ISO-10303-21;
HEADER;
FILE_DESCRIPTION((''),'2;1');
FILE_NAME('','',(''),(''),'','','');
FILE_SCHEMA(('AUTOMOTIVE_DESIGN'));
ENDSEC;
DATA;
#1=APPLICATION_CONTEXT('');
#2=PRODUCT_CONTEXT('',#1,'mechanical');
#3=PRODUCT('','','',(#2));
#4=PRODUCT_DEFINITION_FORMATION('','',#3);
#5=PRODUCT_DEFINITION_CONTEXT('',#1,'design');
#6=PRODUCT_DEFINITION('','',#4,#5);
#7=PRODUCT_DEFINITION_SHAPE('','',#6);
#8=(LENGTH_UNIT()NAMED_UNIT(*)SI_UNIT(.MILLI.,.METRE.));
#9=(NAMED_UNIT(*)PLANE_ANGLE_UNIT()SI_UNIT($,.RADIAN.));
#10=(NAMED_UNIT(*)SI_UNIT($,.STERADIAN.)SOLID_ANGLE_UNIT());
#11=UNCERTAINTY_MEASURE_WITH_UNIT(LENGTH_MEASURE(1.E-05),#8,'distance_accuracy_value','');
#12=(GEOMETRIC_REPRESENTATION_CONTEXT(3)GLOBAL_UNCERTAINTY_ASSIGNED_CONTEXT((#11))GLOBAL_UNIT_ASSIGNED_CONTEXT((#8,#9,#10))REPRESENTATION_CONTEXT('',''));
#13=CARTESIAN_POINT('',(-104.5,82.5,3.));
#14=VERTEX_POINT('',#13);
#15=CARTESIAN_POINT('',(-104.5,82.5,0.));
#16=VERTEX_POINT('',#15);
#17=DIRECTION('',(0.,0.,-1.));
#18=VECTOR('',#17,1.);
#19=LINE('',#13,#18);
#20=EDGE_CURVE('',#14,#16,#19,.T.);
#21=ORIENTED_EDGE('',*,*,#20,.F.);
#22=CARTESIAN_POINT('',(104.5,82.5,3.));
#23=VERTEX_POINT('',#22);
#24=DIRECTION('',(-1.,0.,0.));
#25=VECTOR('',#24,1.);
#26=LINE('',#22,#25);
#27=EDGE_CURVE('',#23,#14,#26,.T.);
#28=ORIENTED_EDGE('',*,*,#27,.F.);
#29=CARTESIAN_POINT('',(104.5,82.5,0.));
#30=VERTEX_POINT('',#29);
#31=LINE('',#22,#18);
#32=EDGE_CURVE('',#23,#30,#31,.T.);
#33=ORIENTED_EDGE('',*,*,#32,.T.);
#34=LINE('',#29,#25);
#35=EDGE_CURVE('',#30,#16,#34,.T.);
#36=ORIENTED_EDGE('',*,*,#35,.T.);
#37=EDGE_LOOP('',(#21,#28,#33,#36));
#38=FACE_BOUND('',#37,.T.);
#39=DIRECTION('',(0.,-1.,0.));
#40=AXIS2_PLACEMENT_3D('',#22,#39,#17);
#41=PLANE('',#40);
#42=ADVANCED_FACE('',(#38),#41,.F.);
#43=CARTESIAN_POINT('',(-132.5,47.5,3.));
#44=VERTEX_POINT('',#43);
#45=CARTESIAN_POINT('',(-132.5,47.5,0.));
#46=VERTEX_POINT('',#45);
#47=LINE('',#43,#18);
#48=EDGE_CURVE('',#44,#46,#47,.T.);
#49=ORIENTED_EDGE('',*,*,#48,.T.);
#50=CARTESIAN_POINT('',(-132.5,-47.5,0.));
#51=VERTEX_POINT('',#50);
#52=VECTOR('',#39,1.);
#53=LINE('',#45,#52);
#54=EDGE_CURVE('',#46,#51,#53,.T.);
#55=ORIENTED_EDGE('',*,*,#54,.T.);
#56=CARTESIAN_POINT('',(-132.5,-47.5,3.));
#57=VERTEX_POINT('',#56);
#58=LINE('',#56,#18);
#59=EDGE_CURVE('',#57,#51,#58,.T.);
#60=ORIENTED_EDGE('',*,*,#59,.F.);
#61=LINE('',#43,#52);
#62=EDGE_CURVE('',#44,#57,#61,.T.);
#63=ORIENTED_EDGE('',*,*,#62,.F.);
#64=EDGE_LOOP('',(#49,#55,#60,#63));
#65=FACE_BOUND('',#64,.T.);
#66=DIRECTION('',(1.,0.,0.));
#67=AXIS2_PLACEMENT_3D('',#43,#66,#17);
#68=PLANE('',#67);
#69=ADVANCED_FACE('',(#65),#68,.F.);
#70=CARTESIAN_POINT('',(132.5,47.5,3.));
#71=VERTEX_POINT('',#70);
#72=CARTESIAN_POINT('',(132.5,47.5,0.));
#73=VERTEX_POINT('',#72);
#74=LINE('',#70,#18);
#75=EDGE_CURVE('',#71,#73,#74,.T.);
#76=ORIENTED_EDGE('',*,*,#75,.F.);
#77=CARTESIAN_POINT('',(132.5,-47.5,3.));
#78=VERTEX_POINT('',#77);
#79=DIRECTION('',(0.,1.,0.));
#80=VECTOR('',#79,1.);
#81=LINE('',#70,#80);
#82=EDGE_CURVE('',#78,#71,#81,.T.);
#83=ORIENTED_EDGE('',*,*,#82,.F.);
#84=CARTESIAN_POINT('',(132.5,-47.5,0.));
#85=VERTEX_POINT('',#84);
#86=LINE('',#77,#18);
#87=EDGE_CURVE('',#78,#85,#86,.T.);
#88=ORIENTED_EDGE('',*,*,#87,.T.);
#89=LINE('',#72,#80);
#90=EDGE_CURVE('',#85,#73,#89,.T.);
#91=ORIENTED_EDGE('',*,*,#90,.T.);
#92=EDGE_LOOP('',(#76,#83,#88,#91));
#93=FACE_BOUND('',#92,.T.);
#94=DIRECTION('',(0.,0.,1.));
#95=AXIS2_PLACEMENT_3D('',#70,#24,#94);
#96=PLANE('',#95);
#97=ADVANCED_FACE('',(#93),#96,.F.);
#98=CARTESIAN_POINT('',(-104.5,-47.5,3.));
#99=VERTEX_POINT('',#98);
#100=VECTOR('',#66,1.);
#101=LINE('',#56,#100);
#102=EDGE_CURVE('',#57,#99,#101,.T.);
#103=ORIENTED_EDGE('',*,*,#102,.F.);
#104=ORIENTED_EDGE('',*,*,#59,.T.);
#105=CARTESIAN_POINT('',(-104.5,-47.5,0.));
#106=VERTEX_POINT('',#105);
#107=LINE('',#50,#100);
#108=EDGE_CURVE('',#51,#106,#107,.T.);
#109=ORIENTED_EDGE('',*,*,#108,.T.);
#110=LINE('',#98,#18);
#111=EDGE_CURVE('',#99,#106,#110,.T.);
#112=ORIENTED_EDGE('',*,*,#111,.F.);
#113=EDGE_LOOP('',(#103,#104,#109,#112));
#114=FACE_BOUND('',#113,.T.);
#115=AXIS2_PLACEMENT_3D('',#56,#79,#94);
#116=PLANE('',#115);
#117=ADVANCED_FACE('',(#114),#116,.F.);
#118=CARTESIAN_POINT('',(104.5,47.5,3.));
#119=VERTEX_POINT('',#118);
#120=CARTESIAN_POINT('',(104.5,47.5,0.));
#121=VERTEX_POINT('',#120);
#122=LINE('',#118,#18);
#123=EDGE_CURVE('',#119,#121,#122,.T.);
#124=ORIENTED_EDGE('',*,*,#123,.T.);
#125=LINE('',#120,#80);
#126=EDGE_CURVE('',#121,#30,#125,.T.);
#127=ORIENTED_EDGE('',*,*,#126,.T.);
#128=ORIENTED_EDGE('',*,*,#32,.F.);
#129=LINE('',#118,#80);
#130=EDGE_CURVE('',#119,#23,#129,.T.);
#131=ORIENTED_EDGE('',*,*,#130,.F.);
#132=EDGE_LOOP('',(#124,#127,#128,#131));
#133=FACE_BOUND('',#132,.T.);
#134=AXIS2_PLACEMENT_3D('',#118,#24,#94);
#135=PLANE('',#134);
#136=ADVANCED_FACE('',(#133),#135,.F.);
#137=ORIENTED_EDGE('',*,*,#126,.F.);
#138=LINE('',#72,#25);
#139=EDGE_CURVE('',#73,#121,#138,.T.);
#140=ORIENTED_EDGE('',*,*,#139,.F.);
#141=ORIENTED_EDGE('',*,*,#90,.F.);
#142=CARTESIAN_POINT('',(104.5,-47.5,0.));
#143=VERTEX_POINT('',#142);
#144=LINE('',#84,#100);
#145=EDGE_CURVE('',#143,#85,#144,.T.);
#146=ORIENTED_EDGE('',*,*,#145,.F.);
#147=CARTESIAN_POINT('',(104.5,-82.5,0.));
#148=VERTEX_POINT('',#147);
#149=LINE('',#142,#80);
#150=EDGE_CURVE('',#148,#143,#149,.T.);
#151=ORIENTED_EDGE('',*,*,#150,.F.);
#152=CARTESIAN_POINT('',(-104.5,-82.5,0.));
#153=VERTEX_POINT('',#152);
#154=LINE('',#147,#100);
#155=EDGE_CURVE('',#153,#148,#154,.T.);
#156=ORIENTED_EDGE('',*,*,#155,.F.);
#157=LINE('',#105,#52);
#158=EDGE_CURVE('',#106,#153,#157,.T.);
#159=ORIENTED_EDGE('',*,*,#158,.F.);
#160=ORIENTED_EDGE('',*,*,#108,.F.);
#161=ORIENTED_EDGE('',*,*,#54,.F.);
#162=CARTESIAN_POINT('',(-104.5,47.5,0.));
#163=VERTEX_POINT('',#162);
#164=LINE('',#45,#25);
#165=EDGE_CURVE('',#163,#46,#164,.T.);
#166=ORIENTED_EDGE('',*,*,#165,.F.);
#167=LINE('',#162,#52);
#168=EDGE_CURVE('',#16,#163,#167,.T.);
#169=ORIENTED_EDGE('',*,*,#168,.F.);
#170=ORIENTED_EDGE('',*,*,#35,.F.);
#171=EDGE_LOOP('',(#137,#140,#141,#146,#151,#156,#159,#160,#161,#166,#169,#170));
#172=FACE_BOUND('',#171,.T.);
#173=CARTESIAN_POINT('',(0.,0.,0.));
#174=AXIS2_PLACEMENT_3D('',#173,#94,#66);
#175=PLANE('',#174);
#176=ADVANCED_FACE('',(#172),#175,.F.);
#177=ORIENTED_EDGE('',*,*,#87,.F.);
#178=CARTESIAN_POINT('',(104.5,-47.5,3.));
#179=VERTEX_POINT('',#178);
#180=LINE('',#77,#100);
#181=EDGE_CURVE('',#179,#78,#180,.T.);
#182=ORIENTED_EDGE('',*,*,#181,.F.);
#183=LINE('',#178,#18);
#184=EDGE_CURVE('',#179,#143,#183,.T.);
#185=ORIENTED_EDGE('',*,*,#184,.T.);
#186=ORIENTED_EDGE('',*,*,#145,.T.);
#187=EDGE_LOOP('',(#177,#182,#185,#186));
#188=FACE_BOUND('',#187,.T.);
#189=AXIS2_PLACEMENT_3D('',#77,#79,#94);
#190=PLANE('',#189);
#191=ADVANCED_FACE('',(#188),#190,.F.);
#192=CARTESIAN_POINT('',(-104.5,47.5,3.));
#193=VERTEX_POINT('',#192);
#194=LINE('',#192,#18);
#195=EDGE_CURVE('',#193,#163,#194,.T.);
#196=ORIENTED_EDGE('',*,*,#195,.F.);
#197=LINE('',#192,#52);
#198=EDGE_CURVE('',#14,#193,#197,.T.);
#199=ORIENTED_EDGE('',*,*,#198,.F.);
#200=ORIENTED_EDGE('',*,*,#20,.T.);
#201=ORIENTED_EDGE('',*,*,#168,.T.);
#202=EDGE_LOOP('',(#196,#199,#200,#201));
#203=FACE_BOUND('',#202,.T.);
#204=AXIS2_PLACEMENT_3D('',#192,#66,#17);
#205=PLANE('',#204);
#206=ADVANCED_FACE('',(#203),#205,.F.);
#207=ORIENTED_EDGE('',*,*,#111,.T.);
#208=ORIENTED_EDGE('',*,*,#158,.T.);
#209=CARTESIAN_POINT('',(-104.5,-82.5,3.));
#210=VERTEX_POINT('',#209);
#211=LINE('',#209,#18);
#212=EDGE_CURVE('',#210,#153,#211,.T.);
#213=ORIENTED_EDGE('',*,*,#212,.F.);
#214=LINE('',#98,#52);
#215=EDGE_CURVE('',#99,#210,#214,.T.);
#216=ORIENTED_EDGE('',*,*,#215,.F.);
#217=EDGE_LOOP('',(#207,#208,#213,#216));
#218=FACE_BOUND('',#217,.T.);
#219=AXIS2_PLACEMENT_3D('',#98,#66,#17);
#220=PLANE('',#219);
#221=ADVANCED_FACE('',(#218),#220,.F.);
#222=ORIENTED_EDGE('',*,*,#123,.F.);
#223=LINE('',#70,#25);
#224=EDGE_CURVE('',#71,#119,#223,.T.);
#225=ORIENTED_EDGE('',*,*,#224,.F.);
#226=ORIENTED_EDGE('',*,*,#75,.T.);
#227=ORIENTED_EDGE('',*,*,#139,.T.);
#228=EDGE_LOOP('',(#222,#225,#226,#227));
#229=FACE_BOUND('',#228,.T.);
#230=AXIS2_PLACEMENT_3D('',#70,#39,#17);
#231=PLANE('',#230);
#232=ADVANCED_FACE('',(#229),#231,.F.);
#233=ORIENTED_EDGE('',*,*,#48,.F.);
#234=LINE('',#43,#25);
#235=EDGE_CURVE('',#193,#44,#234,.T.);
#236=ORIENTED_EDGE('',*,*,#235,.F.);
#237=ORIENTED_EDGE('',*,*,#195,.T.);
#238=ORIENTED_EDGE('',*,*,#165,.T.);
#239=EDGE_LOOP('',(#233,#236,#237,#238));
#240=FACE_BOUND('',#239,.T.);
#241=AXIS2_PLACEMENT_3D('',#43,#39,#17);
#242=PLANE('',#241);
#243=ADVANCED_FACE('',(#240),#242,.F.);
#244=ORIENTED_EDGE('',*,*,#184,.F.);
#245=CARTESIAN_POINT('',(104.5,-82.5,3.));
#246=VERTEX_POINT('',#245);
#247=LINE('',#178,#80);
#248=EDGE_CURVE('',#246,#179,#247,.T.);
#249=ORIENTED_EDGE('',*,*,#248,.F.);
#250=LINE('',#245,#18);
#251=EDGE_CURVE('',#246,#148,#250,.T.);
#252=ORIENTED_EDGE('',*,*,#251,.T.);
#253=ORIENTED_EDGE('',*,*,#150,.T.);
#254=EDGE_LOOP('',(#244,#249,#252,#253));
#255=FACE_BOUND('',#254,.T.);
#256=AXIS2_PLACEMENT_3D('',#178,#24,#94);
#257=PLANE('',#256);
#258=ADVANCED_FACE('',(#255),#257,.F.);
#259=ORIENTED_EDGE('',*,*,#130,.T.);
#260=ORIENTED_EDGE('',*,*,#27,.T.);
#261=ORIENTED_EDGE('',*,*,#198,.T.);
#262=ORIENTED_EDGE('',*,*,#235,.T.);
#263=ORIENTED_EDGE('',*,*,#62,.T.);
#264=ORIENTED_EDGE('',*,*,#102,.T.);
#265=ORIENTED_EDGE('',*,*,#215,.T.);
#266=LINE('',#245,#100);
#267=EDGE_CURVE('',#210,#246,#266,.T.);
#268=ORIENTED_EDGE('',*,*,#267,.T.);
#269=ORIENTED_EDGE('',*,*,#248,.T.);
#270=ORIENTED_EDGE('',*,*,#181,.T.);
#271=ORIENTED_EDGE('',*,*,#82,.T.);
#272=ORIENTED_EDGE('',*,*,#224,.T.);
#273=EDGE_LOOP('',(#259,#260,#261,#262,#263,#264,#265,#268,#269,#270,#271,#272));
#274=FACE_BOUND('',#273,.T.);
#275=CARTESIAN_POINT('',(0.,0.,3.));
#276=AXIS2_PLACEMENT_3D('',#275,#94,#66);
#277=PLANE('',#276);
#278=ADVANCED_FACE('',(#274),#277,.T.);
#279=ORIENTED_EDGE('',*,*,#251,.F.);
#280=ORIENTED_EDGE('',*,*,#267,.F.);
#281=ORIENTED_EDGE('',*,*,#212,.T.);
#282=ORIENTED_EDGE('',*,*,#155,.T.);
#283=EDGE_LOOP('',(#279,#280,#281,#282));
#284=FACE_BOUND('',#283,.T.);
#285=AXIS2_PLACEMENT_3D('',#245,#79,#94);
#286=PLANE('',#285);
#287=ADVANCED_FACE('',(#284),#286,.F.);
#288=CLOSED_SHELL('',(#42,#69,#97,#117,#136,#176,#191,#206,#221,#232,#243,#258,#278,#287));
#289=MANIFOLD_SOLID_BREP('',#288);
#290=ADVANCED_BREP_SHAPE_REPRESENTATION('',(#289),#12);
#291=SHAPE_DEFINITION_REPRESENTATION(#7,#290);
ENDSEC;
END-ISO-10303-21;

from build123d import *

# Parameters (mm, degrees)
BOSS_EXTRUDE1_DEPTH = 3


with BuildPart() as part:
    # Sketch1 → Boss-Extrude1 (new body)
    with BuildSketch(Plane.XY):
        Polygon((104.5, 82.5), (-104.5, 82.5), (-104.5, 47.5), (-132.5, 47.5), (-132.5, -47.5), (-104.5, -47.5), (-104.5, -82.5), (104.5, -82.5), (104.5, -47.5), (132.5, -47.5), (132.5, 47.5), (104.5, 47.5), align=None)
    extrude(amount=BOSS_EXTRUDE1_DEPTH)


solid = part.part
